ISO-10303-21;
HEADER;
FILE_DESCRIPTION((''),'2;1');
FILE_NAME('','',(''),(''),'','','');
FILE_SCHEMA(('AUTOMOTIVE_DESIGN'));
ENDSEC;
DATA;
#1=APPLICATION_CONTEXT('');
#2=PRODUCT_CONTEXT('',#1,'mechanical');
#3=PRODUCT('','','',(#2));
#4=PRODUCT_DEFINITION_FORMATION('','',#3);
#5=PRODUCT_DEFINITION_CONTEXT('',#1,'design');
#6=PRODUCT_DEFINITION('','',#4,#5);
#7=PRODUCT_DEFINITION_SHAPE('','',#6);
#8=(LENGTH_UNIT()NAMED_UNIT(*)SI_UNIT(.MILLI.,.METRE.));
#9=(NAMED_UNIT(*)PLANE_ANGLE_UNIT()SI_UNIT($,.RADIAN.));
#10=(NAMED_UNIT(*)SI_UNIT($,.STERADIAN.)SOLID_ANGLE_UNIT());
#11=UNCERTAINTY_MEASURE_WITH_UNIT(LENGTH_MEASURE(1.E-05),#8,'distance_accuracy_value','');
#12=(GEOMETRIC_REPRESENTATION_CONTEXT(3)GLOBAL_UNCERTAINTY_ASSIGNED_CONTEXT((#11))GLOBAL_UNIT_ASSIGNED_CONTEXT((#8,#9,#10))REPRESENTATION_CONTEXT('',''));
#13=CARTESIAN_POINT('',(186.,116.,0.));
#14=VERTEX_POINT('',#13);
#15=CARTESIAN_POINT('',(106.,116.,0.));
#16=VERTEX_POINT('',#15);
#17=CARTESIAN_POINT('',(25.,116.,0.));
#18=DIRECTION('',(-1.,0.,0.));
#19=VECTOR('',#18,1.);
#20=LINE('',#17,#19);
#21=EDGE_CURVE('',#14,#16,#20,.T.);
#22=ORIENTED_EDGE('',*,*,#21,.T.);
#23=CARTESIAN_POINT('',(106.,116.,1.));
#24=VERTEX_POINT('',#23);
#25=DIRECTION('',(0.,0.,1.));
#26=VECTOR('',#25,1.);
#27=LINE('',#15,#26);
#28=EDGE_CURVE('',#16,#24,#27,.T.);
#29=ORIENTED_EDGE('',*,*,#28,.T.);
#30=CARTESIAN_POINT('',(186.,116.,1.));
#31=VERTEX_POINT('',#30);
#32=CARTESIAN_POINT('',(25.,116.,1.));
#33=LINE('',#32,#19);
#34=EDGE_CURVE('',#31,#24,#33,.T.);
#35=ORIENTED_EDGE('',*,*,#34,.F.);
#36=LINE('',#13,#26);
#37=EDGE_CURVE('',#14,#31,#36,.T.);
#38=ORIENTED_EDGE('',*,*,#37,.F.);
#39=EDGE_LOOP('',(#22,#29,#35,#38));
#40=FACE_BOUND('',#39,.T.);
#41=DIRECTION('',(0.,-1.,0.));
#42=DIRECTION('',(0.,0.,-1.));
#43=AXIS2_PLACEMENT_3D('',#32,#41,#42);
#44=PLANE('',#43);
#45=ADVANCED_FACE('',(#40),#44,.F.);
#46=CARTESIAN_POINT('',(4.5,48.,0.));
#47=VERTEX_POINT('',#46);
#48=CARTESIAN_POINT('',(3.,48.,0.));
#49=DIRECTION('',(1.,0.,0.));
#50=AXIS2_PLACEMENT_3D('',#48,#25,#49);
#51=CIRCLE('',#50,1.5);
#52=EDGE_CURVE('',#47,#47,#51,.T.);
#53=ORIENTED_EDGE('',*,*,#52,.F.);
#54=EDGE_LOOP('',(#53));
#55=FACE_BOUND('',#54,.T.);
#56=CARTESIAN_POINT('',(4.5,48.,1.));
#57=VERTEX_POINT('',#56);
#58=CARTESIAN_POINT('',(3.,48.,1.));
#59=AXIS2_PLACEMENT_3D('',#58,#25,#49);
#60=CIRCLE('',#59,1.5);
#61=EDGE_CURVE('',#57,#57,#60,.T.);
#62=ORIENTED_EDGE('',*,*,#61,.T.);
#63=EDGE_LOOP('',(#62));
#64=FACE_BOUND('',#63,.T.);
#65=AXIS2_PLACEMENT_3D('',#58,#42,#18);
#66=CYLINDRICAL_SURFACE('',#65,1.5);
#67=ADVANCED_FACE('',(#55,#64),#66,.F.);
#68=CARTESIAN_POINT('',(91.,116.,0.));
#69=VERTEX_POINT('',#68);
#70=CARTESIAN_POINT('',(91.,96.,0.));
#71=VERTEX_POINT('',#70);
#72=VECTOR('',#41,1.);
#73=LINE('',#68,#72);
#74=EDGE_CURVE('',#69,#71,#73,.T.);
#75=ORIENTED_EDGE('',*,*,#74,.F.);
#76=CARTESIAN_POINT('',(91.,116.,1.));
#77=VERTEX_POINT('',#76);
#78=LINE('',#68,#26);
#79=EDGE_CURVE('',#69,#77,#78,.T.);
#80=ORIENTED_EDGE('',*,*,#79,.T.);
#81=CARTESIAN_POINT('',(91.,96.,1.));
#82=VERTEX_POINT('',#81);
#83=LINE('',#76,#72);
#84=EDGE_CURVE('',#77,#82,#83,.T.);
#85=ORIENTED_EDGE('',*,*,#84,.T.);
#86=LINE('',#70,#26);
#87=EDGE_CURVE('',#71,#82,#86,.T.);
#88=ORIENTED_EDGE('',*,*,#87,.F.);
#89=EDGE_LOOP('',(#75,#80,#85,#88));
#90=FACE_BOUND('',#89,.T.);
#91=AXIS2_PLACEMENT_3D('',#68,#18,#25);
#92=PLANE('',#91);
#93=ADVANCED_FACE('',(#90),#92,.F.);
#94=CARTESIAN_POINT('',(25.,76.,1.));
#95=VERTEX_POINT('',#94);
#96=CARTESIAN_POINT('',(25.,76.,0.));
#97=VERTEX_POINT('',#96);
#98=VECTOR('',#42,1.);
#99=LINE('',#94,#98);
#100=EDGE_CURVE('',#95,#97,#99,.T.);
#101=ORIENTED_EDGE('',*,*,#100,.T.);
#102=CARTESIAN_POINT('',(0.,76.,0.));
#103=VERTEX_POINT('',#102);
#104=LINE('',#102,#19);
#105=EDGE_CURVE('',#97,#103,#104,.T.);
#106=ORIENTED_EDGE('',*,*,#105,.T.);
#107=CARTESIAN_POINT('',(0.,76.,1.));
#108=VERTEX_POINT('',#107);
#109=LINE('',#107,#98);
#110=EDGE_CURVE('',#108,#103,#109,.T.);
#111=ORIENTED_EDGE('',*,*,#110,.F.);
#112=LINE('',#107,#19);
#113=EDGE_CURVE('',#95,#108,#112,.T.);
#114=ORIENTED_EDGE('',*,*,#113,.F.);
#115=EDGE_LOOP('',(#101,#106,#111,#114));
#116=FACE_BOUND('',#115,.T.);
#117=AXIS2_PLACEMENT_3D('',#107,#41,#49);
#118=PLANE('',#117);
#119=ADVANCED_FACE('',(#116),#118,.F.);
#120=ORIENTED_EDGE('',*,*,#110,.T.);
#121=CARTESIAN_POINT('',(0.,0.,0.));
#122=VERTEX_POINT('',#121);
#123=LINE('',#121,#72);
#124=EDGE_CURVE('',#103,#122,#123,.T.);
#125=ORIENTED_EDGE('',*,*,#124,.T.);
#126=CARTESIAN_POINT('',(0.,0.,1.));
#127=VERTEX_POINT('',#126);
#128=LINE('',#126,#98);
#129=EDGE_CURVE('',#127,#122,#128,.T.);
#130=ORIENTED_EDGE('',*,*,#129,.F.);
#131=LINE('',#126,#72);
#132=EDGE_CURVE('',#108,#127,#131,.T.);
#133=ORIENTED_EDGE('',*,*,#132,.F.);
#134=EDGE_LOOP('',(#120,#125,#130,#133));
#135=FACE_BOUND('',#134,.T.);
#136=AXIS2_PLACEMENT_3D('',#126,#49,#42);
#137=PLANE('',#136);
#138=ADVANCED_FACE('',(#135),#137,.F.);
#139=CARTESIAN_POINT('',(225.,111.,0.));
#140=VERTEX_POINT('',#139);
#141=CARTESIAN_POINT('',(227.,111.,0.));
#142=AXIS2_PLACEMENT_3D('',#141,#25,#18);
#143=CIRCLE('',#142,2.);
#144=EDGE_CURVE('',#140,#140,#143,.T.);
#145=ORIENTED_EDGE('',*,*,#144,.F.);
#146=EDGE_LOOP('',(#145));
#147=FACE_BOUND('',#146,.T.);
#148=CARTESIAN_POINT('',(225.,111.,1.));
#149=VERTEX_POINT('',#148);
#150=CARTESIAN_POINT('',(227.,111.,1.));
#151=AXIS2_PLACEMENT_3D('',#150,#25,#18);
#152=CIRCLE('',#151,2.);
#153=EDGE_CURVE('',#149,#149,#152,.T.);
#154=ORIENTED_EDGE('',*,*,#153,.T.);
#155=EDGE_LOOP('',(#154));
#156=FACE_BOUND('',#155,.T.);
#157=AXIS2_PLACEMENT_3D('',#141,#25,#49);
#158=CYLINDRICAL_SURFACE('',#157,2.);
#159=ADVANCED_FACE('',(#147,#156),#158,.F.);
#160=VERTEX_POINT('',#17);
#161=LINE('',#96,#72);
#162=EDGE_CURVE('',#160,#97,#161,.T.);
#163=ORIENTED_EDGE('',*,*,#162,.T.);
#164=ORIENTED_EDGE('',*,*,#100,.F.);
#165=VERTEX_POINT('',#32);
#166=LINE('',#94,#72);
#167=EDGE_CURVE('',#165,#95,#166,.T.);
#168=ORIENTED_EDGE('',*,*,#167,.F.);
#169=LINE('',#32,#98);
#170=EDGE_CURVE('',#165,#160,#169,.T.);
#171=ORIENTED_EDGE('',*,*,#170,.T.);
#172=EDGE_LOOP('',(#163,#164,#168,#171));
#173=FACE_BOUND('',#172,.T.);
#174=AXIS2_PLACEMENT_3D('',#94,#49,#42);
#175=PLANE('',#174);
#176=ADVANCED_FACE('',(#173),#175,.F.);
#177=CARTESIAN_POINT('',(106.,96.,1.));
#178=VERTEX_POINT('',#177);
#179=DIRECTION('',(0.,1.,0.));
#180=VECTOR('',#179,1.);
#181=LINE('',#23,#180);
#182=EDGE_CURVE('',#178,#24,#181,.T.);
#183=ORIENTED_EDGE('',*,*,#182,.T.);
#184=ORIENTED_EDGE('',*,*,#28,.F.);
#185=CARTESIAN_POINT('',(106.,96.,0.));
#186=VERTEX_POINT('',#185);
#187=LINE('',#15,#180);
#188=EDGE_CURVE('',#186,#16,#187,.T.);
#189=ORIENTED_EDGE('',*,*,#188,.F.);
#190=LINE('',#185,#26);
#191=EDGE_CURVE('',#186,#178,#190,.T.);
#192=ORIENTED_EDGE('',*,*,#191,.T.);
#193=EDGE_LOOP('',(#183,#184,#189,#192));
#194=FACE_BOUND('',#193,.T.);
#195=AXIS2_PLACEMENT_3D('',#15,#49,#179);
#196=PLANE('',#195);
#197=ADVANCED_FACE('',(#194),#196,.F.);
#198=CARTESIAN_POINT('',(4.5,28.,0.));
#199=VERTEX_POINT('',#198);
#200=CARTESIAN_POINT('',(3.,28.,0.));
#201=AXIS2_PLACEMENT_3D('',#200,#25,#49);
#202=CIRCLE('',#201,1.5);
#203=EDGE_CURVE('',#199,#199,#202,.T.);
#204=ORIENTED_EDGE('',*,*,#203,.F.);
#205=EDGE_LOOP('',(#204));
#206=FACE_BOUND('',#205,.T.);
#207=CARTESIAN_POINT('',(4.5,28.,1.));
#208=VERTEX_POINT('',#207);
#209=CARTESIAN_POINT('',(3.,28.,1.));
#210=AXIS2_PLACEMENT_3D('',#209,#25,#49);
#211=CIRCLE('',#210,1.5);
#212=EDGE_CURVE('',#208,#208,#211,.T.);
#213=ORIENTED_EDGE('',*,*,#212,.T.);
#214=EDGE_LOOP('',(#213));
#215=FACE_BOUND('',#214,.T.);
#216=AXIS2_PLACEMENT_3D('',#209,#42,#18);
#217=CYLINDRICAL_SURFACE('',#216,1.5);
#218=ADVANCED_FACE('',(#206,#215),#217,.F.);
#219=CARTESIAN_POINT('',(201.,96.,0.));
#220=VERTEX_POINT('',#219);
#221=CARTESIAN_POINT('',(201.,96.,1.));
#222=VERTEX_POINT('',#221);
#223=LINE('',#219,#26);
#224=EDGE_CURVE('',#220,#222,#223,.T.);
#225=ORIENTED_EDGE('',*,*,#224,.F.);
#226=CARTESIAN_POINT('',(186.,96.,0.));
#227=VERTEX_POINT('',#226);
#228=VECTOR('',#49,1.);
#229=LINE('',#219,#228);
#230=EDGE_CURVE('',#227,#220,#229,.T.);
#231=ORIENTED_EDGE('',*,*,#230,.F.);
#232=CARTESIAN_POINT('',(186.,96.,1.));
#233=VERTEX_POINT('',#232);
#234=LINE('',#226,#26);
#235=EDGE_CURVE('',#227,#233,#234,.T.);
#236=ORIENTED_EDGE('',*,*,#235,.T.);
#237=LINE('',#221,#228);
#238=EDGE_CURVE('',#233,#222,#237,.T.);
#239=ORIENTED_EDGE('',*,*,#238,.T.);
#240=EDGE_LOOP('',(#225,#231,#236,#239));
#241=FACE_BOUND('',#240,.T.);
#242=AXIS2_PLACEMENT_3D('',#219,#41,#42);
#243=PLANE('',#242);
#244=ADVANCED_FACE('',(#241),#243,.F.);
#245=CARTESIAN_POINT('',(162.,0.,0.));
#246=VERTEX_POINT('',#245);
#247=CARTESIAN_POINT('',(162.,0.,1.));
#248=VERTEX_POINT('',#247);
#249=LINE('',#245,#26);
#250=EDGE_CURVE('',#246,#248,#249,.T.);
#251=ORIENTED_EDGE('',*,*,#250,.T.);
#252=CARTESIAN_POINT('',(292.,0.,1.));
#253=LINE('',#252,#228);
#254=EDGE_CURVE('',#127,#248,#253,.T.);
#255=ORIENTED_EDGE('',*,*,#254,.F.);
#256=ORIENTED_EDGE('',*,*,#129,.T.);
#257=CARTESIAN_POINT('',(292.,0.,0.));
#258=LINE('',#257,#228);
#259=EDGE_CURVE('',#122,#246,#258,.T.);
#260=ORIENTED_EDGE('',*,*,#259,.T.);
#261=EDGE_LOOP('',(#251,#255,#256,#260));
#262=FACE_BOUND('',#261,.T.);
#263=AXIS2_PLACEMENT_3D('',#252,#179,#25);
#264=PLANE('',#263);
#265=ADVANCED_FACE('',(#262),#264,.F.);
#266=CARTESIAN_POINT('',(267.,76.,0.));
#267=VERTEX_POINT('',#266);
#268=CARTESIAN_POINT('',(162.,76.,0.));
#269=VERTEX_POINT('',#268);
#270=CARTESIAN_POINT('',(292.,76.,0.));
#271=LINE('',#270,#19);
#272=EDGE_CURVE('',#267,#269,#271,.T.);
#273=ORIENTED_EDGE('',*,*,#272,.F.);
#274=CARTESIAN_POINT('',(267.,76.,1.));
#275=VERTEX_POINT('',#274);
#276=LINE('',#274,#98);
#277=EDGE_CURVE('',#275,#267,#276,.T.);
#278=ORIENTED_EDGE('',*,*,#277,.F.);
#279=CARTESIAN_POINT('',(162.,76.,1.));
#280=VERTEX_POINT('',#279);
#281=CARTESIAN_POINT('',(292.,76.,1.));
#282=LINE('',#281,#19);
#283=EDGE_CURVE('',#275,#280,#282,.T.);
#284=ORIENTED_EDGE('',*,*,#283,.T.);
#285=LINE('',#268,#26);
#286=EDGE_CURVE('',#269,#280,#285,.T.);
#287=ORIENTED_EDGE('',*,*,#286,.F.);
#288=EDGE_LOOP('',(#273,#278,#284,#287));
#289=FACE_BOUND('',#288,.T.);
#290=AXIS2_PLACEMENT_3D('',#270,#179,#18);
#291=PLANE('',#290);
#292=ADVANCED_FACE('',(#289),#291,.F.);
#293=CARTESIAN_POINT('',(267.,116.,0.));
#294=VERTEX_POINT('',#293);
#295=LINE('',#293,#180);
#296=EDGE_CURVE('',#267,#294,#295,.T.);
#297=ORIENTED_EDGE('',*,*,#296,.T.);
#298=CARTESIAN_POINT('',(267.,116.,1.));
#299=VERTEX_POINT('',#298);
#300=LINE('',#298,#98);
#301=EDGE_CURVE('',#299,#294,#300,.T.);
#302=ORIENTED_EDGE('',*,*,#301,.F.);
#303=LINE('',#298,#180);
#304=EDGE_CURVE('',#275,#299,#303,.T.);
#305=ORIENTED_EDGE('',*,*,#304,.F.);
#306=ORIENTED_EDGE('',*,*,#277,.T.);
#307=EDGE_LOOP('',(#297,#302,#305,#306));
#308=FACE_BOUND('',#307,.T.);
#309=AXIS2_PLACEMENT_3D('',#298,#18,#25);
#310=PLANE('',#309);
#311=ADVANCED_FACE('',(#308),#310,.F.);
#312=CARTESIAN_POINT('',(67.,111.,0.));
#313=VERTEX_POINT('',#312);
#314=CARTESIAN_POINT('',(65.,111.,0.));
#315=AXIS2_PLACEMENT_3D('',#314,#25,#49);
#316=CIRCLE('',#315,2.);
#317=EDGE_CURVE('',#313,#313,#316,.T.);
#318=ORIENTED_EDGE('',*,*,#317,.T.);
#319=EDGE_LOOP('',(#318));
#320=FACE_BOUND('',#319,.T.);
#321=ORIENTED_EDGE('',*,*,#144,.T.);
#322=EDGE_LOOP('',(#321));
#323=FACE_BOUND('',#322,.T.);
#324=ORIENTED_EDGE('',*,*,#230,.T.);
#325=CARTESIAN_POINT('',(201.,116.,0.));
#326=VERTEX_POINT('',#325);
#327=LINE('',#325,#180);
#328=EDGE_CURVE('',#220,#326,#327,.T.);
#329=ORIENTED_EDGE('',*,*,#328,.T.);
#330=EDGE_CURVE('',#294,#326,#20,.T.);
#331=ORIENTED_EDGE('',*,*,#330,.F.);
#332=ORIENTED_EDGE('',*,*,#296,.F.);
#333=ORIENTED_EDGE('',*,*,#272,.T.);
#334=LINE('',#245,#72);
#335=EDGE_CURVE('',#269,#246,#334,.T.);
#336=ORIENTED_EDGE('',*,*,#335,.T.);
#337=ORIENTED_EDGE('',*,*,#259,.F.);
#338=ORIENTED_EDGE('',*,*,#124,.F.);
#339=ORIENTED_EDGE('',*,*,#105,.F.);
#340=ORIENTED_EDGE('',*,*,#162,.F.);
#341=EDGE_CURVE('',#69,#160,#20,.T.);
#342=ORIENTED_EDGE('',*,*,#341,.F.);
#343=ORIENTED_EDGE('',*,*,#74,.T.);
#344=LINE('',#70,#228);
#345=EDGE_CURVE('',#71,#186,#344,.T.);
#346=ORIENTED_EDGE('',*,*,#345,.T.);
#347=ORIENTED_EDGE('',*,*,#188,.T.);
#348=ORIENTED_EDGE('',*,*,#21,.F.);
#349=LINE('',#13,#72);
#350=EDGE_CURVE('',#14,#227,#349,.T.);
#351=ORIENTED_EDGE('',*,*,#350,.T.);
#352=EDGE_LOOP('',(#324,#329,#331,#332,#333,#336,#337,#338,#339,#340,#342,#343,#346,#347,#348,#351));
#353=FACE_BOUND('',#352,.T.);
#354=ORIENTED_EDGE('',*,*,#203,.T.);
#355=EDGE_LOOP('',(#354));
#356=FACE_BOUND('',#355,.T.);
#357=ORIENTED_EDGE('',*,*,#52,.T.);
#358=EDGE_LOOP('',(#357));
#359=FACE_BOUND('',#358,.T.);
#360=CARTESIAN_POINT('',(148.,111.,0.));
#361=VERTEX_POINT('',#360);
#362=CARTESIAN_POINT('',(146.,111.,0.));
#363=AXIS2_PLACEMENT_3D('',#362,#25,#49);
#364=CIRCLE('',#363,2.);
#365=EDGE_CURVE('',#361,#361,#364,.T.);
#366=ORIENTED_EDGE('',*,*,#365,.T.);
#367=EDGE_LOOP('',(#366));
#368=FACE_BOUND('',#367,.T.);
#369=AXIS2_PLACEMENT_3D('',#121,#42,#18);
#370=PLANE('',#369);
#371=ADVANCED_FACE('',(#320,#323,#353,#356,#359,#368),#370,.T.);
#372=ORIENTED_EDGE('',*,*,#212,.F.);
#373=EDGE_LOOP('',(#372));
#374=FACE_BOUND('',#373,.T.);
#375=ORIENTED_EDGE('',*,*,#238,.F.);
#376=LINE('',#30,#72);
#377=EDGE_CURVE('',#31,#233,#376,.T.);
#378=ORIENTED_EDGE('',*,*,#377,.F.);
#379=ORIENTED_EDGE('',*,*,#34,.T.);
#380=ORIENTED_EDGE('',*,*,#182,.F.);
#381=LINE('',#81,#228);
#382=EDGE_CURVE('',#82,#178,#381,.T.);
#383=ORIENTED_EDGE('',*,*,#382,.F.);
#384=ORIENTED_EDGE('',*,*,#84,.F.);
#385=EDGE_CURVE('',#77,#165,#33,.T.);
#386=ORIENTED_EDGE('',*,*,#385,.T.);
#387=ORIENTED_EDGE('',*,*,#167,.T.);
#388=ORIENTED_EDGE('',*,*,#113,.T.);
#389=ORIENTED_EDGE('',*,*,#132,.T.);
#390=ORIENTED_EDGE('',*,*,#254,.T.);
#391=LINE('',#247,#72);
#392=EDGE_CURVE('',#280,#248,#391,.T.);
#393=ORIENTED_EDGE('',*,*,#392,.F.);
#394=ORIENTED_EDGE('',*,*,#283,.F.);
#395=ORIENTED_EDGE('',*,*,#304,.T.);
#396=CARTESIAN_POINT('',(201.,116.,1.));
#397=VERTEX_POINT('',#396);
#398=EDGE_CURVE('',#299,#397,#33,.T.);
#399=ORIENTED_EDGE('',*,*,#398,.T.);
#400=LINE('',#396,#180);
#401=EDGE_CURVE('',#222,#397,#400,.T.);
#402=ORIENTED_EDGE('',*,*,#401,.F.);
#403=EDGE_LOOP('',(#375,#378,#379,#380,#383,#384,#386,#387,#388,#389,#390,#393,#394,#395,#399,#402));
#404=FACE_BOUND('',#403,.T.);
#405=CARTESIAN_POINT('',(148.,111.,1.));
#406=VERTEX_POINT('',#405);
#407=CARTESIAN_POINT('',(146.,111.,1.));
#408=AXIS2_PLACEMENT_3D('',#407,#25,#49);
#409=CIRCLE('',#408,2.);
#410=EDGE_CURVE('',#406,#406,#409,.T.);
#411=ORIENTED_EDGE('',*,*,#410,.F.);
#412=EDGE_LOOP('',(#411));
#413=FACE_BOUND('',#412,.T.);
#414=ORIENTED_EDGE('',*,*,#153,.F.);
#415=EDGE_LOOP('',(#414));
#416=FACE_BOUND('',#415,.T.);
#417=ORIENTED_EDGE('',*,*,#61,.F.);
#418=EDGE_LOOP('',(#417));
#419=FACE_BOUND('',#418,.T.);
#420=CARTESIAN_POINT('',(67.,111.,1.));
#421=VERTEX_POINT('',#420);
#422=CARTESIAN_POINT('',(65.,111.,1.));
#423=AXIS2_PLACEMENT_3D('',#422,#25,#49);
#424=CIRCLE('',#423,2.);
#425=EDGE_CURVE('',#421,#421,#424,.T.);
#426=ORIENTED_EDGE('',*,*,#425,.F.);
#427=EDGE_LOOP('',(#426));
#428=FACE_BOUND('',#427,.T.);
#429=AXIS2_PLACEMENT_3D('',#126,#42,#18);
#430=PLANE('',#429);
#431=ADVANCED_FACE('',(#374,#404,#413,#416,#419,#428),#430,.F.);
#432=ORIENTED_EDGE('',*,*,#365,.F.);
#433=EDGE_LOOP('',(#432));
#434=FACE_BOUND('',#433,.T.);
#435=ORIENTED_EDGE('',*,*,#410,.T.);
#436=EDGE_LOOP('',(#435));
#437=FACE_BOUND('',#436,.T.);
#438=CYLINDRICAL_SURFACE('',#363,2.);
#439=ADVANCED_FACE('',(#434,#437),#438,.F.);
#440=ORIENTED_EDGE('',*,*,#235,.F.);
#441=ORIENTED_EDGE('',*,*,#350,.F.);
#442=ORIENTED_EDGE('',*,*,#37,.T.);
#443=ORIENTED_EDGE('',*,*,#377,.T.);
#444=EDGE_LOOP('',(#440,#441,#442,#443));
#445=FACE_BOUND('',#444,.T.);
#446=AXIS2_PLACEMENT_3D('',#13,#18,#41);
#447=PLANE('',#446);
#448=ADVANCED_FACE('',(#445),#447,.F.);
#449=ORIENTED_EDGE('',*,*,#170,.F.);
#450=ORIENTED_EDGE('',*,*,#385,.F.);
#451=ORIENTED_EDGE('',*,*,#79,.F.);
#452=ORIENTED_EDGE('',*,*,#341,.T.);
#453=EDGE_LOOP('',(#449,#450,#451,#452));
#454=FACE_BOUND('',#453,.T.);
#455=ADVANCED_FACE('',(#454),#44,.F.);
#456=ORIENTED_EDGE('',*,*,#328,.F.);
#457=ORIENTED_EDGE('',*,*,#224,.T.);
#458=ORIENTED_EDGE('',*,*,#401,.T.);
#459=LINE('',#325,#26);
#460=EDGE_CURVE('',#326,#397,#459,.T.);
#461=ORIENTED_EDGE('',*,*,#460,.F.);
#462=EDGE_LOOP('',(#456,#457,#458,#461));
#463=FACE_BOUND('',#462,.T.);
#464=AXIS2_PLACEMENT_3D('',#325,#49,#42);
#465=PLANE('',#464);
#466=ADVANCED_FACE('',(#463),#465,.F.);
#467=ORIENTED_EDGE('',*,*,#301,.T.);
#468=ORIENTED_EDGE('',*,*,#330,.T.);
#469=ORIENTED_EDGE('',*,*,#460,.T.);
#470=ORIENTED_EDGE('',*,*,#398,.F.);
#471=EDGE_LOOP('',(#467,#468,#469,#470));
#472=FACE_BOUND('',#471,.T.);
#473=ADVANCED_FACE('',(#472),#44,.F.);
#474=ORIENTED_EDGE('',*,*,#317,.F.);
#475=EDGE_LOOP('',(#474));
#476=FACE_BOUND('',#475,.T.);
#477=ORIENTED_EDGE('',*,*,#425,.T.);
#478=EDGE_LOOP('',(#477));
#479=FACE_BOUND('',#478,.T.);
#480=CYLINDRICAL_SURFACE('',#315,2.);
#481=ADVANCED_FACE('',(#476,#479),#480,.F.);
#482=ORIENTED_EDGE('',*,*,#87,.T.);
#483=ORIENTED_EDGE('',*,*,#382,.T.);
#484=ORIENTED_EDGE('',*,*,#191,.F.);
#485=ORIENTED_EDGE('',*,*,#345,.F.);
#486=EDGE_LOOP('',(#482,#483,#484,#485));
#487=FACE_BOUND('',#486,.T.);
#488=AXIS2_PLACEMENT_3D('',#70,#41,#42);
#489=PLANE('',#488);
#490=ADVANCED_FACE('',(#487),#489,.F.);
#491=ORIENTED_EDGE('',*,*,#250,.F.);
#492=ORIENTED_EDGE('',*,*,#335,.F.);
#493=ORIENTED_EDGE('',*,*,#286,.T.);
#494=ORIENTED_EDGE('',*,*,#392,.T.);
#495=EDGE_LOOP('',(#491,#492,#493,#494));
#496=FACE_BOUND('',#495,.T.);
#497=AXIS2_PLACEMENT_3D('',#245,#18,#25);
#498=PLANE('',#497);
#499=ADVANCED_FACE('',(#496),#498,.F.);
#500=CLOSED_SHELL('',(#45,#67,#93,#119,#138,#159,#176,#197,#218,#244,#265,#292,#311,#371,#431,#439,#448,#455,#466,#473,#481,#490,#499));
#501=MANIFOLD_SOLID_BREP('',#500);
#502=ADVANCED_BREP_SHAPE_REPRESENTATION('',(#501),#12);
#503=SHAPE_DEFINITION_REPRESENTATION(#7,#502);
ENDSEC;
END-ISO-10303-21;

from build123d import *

# Parameters (mm, degrees)
SKETCH_1_R          = 1.5
EXTRUDE_1_DEPTH     = 1
SKETCH_2_R          = 2
SKETCH_2_W          = 15
SKETCH_2_H          = 20
CUT_EXTRUDE_1_DEPTH = 315.198981539
SKETCH_3_W          = 130
SKETCH_3_H          = 76
CUT_EXTRUDE_2_DEPTH = 315.198981539


with BuildPart() as part:
    # 草图1 → 凸台-拉伸1 (new body)
    with BuildSketch(Plane.XY):
        Polygon((0, 0), (0, 76), (25, 76), (25, 116), (267, 116), (267, 76), (292, 76), (292, 0), align=None)
        with Locations((3, 48)):
            Circle(SKETCH_1_R, mode=Mode.SUBTRACT)
        with Locations((3, 28)):
            Circle(SKETCH_1_R, mode=Mode.SUBTRACT)
        with Locations(Location((289, 28, 0), (0, 0, 180))):
            Circle(SKETCH_1_R, mode=Mode.SUBTRACT)
        with Locations(Location((289, 48, 0), (0, 0, 180))):
            Circle(SKETCH_1_R, mode=Mode.SUBTRACT)
    extrude(amount=EXTRUDE_1_DEPTH)

    # 草图2 → 切除-拉伸1 (cut, through all)
    with BuildSketch(Plane.XY.offset(1)):
        with Locations((65, 111)):
            Circle(SKETCH_2_R)
        with Locations(Location((227, 111, 0), (0, 0, 180))):
            Circle(SKETCH_2_R)
        with Locations((146, 111)):
            Circle(SKETCH_2_R)
        with Locations((193.5, 106)):
            Rectangle(SKETCH_2_W, SKETCH_2_H)
        with Locations((98.5, 106)):
            Rectangle(SKETCH_2_W, SKETCH_2_H)
    extrude(amount=-CUT_EXTRUDE_1_DEPTH, mode=Mode.SUBTRACT)

    # 草图3 → 切除-拉伸2 (cut, through all)
    with BuildSketch(Plane.XY.offset(1)):
        with Locations((227, 38)):
            Rectangle(SKETCH_3_W, SKETCH_3_H)
    extrude(amount=-CUT_EXTRUDE_2_DEPTH, mode=Mode.SUBTRACT)


solid = part.part
